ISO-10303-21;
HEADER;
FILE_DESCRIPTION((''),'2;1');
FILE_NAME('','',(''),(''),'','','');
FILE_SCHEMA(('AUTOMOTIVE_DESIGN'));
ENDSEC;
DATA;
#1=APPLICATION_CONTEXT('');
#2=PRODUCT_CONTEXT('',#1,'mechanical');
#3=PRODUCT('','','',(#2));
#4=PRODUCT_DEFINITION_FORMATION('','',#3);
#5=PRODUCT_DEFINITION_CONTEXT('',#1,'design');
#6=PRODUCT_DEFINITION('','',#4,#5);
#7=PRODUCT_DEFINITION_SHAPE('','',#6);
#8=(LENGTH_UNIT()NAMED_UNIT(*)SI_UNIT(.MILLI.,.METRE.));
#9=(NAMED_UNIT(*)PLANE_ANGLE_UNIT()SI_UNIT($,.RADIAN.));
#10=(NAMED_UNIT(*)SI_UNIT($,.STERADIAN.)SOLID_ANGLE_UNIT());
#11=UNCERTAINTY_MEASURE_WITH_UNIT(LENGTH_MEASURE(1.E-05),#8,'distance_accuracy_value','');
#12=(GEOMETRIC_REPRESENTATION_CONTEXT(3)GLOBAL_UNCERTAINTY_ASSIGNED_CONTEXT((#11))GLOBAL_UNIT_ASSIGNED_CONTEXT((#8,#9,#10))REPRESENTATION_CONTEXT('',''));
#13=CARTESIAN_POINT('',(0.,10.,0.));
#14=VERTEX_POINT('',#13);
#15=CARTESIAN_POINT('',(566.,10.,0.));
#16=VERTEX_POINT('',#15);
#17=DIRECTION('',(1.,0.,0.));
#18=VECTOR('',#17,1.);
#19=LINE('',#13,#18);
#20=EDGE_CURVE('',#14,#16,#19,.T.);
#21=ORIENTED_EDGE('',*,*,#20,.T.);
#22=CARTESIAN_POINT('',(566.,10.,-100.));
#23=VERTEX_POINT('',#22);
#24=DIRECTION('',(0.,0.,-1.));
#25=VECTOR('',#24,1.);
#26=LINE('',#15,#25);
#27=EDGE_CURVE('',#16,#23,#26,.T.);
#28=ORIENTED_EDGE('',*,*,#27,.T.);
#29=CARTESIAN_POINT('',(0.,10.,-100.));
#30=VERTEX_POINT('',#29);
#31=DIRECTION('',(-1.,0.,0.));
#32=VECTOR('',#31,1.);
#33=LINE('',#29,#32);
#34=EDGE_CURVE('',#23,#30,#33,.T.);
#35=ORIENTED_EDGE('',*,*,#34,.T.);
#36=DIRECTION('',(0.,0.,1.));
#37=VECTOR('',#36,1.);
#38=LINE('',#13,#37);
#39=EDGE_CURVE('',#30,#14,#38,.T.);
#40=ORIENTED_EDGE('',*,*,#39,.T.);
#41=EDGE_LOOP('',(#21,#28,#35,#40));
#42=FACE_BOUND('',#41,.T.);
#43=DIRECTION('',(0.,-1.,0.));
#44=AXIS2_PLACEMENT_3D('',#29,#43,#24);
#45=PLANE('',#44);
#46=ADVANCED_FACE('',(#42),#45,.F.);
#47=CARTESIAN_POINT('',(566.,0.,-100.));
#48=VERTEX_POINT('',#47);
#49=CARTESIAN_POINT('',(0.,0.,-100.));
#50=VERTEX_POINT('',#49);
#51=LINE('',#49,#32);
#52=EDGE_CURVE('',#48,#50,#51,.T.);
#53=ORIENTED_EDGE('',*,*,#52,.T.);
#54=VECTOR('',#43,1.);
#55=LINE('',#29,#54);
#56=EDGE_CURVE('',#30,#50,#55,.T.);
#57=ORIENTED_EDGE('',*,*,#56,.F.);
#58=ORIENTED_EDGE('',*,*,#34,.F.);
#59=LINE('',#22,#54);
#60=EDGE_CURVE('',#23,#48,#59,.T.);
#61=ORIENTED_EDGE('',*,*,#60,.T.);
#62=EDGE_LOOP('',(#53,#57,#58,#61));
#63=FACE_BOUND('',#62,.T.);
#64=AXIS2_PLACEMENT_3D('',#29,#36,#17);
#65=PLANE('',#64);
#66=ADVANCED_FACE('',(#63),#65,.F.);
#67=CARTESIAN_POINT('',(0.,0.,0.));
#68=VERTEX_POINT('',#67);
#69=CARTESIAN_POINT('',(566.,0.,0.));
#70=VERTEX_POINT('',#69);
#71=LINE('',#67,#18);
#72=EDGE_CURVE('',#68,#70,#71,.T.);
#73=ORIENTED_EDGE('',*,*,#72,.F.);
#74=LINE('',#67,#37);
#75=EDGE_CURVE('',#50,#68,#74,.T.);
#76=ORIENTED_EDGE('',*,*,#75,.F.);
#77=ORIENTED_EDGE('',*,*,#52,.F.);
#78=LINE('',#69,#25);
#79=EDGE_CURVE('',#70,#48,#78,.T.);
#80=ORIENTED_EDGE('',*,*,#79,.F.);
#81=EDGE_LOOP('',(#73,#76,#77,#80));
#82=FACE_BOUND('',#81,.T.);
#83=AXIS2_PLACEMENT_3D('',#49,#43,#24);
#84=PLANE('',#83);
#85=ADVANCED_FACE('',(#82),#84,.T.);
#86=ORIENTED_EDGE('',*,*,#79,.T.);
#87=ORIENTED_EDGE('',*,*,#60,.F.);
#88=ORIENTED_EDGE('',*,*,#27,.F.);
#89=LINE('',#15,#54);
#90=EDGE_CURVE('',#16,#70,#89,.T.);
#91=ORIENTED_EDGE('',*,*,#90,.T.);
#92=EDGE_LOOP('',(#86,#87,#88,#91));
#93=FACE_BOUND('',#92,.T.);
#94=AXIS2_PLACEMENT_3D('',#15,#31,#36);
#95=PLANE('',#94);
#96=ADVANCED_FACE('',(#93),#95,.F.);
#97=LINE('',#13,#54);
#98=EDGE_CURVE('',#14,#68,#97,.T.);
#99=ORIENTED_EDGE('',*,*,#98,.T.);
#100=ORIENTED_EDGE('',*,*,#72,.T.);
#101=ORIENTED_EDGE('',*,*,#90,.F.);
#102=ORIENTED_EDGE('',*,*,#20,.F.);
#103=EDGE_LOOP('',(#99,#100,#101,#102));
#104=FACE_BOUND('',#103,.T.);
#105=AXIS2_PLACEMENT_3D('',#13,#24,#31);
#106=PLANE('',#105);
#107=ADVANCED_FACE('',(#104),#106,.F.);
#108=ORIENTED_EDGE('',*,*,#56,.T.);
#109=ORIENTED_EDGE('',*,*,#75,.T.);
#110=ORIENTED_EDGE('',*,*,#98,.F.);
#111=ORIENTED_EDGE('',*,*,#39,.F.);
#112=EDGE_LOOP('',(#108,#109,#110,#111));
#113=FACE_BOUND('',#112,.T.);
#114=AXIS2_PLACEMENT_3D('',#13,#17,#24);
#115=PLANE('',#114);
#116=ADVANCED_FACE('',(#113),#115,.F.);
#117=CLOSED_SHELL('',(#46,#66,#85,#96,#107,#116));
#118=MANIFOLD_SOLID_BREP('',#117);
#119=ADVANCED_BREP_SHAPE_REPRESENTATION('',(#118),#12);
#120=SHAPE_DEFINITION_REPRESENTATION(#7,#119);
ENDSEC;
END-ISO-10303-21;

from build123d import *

# Parameters (mm, degrees)
ESQUISSE1_W      = 566
ESQUISSE1_H      = 100
EXTRUSION1_DEPTH = 10


with BuildPart() as part:
    # Esquisse1 → Extrusion1 (new body)
    with BuildSketch(Plane(origin=(0, 0, 0), x_dir=(1, 0, 0), z_dir=(0, 1, 0))):
        with Locations((283, 50)):
            Rectangle(ESQUISSE1_W, ESQUISSE1_H)
    extrude(amount=EXTRUSION1_DEPTH)


solid = part.part
